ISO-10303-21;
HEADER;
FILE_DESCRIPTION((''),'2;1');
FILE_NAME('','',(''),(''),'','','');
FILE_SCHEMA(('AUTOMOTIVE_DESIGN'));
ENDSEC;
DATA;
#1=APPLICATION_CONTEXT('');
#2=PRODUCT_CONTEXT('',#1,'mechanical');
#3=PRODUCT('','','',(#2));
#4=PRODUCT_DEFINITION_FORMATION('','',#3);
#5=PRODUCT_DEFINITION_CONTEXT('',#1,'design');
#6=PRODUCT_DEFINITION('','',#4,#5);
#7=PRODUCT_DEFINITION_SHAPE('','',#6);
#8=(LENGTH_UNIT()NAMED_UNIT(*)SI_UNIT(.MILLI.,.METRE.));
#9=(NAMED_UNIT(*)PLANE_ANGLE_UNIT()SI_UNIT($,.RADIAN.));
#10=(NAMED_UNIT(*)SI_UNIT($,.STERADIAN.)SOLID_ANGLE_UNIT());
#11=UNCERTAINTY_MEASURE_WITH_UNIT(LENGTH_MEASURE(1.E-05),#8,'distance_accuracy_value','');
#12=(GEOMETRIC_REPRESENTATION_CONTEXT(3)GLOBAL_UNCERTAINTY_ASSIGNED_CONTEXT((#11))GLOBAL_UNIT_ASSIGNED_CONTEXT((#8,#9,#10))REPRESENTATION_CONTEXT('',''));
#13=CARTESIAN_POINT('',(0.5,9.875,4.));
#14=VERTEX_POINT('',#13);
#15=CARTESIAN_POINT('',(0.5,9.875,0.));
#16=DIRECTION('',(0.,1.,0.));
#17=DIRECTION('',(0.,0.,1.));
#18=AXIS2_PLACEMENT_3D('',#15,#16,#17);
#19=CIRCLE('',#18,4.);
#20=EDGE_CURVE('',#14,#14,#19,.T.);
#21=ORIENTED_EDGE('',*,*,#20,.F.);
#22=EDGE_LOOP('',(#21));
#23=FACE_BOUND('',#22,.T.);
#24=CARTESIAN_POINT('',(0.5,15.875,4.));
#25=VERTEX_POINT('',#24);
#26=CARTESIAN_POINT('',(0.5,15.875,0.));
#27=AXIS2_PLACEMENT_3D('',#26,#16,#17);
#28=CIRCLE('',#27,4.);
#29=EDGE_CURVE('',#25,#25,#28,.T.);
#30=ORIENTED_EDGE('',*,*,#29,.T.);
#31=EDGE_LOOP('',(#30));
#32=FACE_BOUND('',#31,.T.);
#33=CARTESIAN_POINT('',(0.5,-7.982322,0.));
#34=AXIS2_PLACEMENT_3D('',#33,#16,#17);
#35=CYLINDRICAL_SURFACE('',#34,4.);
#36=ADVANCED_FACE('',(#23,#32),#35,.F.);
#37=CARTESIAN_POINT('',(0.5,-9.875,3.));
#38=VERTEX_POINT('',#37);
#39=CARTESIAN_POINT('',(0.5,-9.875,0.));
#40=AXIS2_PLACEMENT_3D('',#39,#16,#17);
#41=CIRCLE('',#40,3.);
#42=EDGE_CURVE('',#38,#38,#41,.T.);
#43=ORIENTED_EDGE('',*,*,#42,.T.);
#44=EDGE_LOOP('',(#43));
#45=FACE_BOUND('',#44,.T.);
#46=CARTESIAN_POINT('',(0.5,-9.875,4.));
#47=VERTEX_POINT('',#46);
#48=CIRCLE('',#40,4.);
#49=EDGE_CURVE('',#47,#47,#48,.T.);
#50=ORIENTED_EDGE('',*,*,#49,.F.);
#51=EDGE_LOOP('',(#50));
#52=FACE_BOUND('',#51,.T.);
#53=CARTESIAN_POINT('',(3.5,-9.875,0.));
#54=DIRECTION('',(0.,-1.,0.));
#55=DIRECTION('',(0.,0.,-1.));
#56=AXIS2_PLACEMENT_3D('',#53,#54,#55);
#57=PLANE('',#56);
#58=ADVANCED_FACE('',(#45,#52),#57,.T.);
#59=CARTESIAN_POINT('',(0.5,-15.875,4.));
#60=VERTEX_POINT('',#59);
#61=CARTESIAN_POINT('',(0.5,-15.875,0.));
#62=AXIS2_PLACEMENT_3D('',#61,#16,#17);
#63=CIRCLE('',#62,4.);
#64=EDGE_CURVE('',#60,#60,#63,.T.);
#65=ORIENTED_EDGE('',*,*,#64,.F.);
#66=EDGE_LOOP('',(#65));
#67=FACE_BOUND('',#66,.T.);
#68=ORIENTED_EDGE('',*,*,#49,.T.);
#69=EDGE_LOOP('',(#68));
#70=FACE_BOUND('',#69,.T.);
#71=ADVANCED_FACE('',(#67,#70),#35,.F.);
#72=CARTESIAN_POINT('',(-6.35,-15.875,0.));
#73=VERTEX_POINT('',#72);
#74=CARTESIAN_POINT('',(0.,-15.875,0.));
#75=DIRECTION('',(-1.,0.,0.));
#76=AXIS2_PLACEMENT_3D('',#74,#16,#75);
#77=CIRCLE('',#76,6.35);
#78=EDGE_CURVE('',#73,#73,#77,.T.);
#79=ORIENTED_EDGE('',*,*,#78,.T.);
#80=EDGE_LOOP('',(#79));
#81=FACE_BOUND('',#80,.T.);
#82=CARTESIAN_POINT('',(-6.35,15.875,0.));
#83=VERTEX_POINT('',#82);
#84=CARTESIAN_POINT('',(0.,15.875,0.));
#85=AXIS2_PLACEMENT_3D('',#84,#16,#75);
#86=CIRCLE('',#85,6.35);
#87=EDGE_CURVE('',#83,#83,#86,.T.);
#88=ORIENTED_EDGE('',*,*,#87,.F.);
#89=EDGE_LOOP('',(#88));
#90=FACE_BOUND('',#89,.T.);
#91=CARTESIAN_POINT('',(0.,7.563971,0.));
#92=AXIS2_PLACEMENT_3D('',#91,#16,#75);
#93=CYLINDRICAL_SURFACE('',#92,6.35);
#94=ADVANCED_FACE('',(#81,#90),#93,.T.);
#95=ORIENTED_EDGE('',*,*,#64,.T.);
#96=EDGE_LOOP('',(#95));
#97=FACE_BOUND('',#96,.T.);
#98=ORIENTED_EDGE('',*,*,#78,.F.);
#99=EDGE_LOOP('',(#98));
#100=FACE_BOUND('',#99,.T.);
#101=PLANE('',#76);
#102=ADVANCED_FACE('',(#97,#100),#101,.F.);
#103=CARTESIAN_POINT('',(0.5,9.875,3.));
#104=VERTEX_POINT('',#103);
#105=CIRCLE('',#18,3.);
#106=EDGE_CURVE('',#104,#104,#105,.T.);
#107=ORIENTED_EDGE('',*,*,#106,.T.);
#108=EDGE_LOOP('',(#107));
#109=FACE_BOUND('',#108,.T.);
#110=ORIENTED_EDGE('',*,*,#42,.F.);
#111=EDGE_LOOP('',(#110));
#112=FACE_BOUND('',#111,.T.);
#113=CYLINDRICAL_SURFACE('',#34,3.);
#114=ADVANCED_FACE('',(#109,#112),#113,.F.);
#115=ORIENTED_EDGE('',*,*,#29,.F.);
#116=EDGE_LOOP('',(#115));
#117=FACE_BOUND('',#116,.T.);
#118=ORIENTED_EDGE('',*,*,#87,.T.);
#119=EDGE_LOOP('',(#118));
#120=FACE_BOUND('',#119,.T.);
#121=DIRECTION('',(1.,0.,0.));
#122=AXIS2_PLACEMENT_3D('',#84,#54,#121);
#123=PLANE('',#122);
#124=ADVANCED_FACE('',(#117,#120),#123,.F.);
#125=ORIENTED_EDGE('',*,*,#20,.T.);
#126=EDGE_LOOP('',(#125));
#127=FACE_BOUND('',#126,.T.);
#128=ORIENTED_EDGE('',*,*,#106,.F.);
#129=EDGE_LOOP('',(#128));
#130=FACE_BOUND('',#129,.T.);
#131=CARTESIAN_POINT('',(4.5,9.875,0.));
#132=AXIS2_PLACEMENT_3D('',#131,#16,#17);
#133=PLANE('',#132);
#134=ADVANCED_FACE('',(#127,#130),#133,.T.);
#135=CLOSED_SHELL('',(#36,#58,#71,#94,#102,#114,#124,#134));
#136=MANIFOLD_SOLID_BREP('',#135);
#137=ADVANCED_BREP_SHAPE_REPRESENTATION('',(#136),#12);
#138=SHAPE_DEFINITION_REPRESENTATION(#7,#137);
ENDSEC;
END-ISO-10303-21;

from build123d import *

# Parameters (mm, degrees)
SKETCH1_W = 6.35
SKETCH1_H = 31.75


with BuildPart() as part:
    # Sketch1 → Revolve1 (revolve)
    with BuildSketch(Plane.XY):
        with Locations((3.175, 0)):
            Rectangle(SKETCH1_W, SKETCH1_H)
    revolve(axis=Axis((0, 7.563970588, 0), (0, -1, 0)))

    # Sketch2 → Cut-Revolve3 (revolve, cut)
    with BuildSketch(Plane.XY):
        Polygon((4.5, 15.875), (4.5, 9.875), (3.5, 9.875), (3.5, -9.875), (4.5, -9.875), (4.5, -15.875), (0.5, -15.875), (0.5, 15.875), align=None)
    revolve(axis=Axis((0.5, -7.982322113, 0), (0, -1, 0)), mode=Mode.SUBTRACT)


solid = part.part
